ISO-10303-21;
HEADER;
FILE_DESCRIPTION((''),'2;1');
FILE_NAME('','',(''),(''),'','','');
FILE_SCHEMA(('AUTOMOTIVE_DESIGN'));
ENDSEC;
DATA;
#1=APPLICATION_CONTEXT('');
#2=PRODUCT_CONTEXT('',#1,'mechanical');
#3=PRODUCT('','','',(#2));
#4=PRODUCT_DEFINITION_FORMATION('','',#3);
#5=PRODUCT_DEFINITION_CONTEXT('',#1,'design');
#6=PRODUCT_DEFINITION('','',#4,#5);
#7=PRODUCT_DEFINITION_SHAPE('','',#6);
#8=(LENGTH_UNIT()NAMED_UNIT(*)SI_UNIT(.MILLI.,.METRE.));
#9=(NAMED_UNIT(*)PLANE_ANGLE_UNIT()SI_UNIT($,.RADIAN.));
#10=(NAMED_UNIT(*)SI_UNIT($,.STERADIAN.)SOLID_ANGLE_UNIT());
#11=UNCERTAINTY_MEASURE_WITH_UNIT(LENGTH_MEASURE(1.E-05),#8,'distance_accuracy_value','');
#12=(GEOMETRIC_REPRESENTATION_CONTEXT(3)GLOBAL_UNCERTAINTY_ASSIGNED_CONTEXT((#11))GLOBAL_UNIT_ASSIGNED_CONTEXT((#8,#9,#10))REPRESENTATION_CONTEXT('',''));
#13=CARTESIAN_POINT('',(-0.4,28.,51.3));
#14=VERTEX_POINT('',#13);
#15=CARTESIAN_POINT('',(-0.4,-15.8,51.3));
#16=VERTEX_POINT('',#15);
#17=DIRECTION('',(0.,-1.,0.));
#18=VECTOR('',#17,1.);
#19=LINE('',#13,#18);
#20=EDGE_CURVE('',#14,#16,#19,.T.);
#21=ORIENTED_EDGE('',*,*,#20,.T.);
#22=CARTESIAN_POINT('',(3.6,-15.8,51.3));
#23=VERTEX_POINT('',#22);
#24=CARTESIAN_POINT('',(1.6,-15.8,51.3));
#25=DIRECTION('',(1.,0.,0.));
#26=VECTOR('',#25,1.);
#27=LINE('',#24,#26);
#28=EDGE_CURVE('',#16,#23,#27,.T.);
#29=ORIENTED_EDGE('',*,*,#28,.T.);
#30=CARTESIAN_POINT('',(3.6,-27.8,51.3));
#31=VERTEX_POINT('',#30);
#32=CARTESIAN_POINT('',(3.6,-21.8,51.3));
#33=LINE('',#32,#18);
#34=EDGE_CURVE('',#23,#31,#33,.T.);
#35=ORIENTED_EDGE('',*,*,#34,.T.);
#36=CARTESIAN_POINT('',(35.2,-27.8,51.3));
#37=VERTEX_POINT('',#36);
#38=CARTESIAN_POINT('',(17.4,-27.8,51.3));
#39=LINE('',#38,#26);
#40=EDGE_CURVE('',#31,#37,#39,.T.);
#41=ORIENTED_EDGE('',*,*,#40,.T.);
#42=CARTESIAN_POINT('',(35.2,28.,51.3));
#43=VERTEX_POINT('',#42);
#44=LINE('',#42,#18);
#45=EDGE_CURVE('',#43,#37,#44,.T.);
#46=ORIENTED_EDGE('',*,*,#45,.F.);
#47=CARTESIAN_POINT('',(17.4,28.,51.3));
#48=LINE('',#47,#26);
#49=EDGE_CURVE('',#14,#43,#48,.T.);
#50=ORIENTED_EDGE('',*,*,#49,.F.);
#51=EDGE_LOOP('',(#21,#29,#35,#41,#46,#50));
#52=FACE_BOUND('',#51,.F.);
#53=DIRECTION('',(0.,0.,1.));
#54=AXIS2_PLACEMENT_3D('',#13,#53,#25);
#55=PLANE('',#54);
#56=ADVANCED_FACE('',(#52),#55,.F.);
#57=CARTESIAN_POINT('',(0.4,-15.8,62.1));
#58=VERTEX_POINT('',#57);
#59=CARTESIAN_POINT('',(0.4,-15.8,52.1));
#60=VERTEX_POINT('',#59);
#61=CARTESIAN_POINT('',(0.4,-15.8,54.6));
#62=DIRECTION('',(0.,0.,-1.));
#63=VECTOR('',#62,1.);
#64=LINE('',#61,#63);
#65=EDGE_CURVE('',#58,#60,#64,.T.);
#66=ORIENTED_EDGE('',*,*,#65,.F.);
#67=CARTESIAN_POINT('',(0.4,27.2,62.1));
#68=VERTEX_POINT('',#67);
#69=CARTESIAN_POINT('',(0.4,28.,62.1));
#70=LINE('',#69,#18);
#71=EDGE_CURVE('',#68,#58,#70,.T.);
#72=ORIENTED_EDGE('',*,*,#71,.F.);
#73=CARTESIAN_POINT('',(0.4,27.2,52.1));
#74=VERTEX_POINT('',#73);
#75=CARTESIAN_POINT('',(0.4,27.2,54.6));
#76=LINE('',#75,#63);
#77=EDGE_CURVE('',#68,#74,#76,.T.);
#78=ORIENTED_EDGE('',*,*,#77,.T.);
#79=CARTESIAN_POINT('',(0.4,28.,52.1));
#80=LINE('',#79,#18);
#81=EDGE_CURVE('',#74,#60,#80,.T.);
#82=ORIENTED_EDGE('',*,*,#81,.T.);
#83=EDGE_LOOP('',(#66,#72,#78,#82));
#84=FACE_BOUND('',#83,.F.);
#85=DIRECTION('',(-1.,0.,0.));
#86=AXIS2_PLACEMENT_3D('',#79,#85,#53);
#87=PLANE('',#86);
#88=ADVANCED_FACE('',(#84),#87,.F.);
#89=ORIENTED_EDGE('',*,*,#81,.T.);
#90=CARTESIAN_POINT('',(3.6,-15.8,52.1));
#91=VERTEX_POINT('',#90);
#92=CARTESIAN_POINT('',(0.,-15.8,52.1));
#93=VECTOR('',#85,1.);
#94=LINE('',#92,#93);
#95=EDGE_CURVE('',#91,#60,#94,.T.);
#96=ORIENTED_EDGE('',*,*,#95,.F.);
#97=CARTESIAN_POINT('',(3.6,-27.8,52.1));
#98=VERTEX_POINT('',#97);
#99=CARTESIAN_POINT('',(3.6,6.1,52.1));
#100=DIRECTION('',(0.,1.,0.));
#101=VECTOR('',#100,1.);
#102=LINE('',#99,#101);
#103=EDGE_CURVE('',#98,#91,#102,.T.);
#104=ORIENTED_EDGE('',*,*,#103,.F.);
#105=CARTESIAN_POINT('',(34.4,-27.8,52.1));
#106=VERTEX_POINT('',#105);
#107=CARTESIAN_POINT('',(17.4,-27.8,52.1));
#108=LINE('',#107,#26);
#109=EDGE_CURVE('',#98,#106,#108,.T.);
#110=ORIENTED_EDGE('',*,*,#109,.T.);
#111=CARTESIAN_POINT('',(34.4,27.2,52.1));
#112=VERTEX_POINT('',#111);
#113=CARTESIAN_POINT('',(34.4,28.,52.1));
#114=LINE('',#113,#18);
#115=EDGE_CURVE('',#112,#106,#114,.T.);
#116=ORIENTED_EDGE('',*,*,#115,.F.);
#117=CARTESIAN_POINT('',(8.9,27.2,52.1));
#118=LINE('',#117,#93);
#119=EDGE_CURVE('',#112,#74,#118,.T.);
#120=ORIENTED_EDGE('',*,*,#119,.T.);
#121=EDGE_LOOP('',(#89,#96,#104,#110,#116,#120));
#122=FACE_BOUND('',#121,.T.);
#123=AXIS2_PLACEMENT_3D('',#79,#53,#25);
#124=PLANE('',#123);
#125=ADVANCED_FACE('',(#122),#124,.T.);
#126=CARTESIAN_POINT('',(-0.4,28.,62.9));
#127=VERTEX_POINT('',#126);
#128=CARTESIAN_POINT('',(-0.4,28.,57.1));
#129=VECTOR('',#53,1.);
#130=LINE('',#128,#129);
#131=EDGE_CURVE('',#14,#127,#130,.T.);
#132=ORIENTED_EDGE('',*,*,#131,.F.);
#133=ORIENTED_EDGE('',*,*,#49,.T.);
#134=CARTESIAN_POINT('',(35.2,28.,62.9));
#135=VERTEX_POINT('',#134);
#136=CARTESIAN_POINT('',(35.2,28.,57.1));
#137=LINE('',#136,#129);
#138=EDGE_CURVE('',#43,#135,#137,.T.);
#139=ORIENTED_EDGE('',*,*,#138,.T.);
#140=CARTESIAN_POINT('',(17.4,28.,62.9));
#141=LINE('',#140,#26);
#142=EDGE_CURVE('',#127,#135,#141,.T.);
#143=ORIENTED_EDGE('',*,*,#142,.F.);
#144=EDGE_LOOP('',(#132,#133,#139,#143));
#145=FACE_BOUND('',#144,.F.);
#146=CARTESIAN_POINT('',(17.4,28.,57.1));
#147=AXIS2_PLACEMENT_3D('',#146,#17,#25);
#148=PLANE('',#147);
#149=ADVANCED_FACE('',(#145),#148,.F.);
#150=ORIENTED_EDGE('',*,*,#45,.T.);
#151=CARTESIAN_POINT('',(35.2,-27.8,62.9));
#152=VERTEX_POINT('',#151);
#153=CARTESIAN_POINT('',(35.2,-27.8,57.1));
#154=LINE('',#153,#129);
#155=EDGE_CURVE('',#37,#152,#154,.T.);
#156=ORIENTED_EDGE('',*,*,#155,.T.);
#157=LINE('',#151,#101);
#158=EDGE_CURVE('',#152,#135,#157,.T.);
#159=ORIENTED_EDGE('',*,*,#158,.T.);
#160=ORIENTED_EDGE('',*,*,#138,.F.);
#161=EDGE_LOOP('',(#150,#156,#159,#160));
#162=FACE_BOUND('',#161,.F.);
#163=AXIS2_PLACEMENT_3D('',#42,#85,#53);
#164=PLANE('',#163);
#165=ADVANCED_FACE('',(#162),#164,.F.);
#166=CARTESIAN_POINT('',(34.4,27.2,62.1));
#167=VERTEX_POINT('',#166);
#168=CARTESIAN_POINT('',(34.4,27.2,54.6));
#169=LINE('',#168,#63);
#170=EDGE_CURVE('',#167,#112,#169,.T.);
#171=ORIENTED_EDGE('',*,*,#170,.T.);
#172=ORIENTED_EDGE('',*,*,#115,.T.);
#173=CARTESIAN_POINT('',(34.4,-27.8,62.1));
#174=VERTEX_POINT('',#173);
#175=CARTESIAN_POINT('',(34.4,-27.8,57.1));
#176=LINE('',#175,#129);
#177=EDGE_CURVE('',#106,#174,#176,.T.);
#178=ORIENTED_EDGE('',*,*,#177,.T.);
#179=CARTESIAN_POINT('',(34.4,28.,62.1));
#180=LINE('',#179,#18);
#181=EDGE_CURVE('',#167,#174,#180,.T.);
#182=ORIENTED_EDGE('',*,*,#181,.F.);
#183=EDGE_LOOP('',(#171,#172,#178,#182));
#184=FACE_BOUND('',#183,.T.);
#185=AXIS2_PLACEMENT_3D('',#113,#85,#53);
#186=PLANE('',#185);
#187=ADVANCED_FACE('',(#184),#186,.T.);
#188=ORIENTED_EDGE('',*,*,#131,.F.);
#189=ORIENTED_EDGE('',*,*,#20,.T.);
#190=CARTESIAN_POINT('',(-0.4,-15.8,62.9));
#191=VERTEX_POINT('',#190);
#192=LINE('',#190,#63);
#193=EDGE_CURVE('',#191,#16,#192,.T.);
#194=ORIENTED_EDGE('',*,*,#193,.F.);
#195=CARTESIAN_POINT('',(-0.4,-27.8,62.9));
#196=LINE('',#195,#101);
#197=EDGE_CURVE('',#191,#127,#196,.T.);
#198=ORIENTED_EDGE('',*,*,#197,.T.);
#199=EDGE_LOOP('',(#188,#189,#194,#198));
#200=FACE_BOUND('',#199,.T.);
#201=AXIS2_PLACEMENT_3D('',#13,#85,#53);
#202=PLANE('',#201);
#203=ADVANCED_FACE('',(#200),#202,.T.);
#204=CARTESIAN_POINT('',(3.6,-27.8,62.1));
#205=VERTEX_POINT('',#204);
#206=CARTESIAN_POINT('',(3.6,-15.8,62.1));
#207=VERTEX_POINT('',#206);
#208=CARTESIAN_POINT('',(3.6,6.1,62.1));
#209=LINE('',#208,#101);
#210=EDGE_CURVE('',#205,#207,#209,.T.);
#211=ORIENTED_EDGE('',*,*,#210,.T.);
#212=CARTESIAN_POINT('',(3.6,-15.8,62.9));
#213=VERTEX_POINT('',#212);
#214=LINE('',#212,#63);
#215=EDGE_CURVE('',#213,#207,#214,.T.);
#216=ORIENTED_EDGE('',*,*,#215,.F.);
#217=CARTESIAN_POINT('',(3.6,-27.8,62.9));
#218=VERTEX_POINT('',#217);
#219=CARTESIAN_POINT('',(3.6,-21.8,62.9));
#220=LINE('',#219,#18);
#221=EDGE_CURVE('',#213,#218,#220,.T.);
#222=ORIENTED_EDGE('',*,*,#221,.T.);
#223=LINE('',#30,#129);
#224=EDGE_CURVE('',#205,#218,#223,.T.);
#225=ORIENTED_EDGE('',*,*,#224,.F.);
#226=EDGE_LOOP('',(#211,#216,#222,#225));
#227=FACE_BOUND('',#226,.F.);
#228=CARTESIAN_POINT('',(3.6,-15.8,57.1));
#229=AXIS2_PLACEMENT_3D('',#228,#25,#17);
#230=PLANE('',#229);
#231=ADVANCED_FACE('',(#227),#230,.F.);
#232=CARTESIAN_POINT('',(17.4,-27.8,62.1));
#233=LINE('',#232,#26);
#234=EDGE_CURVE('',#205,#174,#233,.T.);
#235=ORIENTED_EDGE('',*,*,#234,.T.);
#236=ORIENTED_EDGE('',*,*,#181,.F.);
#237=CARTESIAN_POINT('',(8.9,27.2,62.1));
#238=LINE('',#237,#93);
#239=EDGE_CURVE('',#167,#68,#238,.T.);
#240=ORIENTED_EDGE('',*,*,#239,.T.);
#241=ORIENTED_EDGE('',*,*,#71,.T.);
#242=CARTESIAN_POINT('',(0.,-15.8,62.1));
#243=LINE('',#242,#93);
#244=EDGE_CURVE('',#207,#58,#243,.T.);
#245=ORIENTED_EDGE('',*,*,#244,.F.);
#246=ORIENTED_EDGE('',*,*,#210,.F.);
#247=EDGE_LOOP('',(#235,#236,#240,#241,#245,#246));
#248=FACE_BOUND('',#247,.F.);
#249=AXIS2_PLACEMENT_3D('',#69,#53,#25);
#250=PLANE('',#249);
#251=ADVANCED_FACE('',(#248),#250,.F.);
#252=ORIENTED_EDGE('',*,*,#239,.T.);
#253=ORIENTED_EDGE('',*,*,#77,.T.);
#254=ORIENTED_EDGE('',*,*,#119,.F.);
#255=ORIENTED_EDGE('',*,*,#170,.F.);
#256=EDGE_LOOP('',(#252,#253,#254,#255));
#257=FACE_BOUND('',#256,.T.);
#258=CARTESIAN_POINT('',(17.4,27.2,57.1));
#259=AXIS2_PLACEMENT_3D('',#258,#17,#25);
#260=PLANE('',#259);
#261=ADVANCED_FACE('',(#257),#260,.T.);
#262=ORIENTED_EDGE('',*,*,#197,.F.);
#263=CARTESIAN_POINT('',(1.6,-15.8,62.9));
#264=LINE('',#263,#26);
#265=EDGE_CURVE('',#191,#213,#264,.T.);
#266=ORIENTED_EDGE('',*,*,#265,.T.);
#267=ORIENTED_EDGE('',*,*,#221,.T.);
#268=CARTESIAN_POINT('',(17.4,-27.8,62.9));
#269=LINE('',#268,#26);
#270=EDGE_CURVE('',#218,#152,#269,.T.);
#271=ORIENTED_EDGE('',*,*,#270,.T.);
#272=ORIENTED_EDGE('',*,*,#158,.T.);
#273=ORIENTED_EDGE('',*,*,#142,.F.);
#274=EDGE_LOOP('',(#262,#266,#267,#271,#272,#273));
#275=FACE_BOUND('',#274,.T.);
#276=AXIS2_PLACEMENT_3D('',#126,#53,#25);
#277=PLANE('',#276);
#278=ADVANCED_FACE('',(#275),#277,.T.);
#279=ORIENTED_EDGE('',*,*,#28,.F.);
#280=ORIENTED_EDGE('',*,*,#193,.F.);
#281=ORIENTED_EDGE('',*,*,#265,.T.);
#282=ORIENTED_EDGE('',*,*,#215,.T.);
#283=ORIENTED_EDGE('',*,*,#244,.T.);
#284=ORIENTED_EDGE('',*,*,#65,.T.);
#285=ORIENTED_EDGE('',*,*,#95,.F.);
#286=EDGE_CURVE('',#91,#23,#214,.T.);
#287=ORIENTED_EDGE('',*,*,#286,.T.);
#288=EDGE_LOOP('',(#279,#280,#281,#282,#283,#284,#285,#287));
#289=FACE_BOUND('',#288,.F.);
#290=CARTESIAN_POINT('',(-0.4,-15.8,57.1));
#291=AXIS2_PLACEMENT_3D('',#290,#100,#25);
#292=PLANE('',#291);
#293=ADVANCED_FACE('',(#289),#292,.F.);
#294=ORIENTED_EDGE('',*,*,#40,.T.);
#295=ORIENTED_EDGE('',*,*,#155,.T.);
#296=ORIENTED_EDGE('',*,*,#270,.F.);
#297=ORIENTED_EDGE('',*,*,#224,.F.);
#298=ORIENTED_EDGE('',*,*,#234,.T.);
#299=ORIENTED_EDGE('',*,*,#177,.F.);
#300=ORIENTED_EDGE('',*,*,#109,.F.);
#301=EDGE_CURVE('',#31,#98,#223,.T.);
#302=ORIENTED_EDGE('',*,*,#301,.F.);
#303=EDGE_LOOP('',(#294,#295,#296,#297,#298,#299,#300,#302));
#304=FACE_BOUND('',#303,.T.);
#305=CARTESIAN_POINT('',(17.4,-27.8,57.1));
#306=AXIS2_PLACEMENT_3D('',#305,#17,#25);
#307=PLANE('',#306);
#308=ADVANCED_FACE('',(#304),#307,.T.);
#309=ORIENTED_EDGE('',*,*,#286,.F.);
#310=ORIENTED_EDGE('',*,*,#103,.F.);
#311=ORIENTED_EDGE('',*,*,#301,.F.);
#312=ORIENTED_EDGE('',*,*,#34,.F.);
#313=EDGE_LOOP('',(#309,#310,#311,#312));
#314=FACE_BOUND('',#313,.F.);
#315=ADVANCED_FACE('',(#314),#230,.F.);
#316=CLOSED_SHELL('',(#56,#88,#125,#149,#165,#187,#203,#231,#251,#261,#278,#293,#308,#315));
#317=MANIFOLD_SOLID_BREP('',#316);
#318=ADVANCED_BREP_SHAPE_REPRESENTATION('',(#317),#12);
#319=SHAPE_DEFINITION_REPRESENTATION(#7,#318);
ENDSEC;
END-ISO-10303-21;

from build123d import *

# Parameters (mm, degrees)
SKETCH004_W             = 35.6
SKETCH004_H             = 11.6
PAD003_DEPTH            = 0.8
SKETCH005_W             = 35.6
SKETCH005_H             = 11.6
SKETCH005_W_2           = 34
SKETCH005_H_2           = 10
PAD004_DEPTH            = 55.8
SKETCH006_W             = 4
SKETCH006_H             = 12
POCKET001_DEPTH         = 5.8
BODY002_PLACEMENT_ANGLE = 90


with BuildPart() as part:
    # Sketch004 → Pad003 (new body)
    with BuildSketch(Plane.XY):
        Rectangle(SKETCH004_W, SKETCH004_H)
    extrude(amount=PAD003_DEPTH)

    # Sketch005 → Pad004 (join)
    with BuildSketch(Plane.XY):
        Rectangle(SKETCH005_W, SKETCH005_H)
        Rectangle(SKETCH005_W_2, SKETCH005_H_2, mode=Mode.SUBTRACT)
    extrude(amount=PAD004_DEPTH)

    # Sketch006 → Pocket001 (cut, symmetric)
    with BuildSketch(Plane.XZ):
        with Locations((-15.8, 49.8)):
            Rectangle(SKETCH006_W, SKETCH006_H)
    extrude(amount=POCKET001_DEPTH, both=True, mode=Mode.SUBTRACT)


with BuildPart() as part_1:
    # Body002 placement: moved
    add(part.part.moved(Location((17.4, 28, 57.1))).rotate(Axis((17.4, 28, 57.1), (1, 0, 0)), BODY002_PLACEMENT_ANGLE))


solid = part_1.part
